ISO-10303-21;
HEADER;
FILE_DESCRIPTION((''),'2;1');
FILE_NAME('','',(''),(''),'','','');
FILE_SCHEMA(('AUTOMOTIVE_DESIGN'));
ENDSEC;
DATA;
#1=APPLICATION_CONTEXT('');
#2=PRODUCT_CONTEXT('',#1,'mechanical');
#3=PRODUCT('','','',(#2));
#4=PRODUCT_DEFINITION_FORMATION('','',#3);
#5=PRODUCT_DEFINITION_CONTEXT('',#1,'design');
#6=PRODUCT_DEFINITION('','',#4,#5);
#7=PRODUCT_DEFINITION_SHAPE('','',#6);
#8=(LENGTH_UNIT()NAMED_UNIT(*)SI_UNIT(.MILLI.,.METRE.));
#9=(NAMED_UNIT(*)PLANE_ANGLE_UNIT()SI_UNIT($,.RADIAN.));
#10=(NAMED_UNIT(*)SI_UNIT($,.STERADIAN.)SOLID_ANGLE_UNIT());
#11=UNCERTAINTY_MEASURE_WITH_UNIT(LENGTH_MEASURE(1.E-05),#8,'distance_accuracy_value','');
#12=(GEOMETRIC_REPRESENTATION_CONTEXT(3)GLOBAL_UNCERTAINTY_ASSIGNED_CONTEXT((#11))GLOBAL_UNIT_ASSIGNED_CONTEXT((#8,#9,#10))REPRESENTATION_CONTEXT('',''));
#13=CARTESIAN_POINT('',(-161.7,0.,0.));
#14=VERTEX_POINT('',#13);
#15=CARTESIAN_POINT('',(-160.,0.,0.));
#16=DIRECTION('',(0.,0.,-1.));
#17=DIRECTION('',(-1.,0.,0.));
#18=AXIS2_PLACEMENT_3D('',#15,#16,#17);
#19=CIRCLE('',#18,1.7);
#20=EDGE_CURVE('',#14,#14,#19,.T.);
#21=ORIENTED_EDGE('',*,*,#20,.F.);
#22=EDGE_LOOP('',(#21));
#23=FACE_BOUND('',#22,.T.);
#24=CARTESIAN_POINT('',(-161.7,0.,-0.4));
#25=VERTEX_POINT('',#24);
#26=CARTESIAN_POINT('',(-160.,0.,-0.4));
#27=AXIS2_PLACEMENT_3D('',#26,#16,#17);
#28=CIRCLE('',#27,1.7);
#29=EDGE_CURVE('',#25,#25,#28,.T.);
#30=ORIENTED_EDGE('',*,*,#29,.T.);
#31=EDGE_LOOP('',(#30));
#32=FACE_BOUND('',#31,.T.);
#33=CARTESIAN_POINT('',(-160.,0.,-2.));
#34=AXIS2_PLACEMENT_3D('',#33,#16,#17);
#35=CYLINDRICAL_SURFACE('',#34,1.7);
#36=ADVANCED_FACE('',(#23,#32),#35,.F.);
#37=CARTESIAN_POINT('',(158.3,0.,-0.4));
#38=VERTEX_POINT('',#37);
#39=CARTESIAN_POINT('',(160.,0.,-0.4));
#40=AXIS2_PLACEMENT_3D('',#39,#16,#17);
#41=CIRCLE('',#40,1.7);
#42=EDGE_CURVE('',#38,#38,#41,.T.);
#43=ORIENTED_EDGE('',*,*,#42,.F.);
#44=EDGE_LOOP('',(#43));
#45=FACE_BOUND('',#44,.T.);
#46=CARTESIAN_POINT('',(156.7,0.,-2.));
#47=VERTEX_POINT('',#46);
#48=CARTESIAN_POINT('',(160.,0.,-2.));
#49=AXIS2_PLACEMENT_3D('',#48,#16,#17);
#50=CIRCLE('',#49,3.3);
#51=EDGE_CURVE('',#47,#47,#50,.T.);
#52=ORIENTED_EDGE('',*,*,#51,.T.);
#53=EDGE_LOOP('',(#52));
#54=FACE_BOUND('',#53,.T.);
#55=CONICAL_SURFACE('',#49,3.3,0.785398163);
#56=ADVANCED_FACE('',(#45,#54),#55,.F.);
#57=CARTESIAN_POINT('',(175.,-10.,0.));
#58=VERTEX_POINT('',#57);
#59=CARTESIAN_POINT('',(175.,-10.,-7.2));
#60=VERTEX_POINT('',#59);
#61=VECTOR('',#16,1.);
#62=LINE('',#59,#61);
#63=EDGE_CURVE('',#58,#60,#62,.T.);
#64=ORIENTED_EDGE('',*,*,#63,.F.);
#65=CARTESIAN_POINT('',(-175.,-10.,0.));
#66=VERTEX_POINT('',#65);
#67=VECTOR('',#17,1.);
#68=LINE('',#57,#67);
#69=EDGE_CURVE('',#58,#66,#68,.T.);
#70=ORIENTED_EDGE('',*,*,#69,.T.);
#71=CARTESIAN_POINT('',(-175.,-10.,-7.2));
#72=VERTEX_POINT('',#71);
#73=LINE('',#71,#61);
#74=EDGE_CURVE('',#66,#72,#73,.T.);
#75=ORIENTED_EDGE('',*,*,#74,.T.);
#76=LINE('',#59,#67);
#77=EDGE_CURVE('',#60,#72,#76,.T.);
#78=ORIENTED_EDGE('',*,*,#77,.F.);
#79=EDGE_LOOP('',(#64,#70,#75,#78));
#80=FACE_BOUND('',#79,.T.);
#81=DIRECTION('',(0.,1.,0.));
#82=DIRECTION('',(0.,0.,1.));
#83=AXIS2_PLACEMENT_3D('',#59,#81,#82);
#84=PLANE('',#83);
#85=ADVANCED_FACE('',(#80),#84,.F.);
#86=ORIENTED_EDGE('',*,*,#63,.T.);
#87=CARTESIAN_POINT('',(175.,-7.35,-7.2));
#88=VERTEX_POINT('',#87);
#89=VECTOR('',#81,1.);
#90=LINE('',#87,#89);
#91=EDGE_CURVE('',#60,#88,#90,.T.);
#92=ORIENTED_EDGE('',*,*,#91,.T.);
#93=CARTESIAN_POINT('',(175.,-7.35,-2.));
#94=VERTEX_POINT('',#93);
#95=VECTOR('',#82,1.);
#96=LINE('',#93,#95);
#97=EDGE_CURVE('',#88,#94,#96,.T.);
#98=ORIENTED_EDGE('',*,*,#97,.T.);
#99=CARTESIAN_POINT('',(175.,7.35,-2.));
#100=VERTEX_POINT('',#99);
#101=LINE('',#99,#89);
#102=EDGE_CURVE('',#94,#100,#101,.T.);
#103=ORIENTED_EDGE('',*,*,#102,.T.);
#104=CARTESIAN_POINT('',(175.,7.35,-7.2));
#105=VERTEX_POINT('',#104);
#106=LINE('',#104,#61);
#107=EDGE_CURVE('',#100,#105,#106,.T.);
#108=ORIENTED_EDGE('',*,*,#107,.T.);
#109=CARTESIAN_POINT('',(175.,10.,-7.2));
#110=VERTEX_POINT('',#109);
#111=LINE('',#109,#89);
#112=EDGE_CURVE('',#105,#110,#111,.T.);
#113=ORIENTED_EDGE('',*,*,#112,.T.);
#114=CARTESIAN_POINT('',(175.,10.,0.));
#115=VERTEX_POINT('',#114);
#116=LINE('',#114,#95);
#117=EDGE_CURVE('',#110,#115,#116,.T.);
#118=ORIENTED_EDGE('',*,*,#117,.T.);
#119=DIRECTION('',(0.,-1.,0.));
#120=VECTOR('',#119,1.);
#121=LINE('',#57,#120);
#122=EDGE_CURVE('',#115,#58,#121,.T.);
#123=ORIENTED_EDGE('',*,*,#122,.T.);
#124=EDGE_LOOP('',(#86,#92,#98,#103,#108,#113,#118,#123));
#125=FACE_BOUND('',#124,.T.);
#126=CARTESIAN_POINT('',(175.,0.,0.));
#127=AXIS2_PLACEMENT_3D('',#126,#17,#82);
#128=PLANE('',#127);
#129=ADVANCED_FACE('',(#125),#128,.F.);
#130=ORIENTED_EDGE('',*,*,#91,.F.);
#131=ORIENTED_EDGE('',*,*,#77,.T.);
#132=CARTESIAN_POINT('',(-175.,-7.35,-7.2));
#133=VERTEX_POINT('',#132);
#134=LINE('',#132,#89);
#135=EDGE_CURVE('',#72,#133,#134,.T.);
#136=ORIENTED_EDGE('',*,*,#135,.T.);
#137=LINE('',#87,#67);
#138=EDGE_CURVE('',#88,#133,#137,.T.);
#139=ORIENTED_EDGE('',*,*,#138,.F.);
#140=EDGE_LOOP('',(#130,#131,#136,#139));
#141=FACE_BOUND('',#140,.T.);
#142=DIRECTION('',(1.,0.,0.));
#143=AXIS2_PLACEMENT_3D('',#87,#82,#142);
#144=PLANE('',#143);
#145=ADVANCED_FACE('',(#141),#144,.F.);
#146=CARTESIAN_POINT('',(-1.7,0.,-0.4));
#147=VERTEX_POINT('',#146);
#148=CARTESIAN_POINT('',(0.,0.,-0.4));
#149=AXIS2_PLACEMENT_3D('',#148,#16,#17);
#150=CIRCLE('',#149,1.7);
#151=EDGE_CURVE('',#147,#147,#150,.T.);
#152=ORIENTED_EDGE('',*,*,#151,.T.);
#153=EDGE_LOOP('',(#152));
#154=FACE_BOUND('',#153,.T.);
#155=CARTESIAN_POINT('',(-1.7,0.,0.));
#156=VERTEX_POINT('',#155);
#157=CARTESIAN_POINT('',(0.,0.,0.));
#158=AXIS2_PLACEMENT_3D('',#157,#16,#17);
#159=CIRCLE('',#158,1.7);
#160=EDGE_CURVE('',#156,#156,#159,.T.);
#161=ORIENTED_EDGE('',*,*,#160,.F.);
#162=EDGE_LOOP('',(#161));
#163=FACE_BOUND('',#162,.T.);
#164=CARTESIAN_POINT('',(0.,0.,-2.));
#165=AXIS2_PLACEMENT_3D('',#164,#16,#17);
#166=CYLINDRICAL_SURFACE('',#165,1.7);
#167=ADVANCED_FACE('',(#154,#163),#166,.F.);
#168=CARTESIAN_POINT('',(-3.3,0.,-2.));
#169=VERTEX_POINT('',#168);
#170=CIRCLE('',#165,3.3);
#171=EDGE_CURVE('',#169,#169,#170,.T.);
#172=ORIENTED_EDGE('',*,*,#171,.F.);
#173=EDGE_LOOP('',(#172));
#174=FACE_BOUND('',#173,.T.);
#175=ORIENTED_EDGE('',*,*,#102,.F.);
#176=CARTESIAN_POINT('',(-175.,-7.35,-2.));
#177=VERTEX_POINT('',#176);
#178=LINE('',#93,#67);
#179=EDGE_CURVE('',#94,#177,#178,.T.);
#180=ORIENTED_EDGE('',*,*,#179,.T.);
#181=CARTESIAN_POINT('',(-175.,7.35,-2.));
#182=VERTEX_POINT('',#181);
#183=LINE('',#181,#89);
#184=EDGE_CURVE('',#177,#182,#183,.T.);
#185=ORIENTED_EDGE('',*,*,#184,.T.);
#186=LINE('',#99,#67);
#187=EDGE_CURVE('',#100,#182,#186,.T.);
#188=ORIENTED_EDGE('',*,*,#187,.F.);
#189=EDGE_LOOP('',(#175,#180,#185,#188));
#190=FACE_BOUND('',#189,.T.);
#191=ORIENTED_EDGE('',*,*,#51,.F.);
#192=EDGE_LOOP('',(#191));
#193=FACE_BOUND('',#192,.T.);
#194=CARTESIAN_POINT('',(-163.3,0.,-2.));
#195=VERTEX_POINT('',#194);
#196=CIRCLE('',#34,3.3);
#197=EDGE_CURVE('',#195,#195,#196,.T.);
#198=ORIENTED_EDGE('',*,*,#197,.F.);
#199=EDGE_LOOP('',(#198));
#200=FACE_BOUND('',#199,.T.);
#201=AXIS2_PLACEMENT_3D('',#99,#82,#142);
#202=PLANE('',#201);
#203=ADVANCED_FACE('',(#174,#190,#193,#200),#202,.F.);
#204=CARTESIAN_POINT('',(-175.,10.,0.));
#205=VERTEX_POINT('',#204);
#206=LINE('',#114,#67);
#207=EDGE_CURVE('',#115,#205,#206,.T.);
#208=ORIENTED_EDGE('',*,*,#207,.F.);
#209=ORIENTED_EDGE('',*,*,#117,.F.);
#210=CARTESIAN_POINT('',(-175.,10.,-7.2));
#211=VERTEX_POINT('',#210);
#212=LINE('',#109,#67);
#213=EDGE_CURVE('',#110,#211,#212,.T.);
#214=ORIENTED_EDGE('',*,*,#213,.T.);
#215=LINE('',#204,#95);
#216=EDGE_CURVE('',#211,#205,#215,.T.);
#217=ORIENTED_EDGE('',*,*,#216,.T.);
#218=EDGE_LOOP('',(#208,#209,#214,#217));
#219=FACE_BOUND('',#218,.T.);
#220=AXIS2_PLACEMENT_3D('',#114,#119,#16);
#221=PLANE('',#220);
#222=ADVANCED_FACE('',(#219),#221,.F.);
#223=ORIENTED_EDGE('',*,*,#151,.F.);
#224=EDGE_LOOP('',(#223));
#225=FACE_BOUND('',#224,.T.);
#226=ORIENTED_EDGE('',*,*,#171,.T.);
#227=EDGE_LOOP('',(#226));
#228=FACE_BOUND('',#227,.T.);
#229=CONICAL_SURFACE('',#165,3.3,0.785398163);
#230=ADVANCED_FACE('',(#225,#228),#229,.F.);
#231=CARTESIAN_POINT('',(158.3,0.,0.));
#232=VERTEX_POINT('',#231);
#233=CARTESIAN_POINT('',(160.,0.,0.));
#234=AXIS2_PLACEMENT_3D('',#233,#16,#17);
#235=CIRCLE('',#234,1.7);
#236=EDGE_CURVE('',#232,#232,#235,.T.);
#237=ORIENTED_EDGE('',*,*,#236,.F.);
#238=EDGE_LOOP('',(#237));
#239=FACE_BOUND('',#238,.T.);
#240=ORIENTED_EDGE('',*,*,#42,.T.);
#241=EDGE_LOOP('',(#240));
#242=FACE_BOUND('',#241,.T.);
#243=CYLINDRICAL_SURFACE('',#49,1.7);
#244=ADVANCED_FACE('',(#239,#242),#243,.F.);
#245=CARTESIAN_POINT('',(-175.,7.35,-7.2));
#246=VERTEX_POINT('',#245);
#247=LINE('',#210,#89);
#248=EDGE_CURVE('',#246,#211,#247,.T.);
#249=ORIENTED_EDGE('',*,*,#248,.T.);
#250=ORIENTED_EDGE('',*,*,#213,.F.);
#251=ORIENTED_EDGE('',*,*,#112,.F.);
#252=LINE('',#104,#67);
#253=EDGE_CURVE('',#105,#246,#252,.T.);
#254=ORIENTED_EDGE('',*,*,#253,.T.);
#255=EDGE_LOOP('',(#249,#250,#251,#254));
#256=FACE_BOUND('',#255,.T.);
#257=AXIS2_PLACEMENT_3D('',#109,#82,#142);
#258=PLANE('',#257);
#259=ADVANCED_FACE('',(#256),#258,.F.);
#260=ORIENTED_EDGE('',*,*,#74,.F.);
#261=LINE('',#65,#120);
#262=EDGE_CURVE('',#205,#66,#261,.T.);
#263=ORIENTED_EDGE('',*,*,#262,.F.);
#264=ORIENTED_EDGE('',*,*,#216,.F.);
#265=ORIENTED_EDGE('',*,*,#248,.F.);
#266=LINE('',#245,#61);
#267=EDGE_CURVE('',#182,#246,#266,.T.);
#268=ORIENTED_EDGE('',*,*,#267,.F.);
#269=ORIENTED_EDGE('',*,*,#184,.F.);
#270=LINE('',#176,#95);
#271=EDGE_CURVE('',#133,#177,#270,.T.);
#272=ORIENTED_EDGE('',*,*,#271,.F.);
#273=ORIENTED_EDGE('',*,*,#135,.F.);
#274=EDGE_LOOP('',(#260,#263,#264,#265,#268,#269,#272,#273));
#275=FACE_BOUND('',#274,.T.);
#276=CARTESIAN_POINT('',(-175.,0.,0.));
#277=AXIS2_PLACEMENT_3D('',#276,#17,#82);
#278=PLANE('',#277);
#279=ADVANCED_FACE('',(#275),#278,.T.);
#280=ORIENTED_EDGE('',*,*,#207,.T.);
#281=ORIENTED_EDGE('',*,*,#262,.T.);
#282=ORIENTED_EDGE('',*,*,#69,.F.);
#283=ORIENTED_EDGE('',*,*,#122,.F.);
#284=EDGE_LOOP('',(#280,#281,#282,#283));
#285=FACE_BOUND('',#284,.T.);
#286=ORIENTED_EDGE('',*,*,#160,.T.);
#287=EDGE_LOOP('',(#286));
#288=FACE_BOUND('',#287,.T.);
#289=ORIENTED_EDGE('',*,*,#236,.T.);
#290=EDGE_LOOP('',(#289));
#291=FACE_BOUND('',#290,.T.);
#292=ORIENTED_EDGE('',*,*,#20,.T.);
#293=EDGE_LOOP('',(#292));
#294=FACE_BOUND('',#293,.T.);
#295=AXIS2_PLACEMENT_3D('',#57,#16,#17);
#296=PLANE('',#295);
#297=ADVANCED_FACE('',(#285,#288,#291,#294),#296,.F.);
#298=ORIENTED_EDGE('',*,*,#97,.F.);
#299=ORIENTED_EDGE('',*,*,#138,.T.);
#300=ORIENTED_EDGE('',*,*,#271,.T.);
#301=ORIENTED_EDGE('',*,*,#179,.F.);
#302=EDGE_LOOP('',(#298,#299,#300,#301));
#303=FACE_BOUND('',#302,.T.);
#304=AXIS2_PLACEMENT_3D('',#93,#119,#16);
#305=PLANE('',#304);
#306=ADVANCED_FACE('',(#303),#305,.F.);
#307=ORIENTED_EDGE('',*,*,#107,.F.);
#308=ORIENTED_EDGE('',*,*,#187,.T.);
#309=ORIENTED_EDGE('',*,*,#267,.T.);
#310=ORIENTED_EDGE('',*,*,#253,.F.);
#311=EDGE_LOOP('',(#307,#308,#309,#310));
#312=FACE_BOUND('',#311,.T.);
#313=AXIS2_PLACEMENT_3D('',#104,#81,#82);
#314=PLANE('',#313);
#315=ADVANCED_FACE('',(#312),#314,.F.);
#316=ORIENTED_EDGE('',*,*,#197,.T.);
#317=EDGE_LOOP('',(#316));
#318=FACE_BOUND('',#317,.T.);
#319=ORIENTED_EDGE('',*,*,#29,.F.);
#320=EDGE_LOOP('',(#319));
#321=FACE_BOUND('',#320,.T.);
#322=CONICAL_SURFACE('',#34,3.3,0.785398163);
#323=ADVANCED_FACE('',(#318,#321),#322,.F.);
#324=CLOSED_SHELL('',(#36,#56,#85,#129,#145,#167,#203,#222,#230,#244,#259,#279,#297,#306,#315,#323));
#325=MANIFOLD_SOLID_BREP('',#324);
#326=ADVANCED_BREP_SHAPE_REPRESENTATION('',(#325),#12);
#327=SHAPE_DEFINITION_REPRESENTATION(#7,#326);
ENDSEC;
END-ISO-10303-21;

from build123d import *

# Parameters (mm, degrees)
EXTRUDE_1_DEPTH        = 175
PATTERN_LINEAR_1_COUNT = 3
PATTERN_LINEAR_1_PITCH = 160


with BuildPart() as part:
    # 草图1 → 凸台-拉伸1 (new, symmetric)
    with BuildSketch(Plane(origin=(0, 0, 0), x_dir=(0, 0, -1), z_dir=(1, 0, 0))):
        Polygon((0, -10), (0, 10), (7.2, 10), (7.2, 7.35), (2, 7.35), (2, -7.35), (7.2, -7.35), (7.2, -10), align=None)
    extrude(amount=EXTRUDE_1_DEPTH, both=True)

    # 草图5 → M3 开槽半沉头木螺钉的锥形沉头孔1 (revolve, cut)
    with BuildSketch(Plane(origin=(160, 0, -2), x_dir=(0, 1, 0), z_dir=(1, 0, 0))):
        Polygon((0, 0), (0, 2), (1.7, 2), (1.7, 1.6), (3.3, 0), align=None)
    hole_wizard_m3_1 = revolve(axis=Axis((160, 0, -8.35), (0, 0, 1)), mode=Mode.SUBTRACT)

    # 阵列(线性)1: M3 开槽半沉头木螺钉的锥形沉头孔1 ×3
    with Locations(*[(-i * PATTERN_LINEAR_1_PITCH, 0, 0) for i in range(1, PATTERN_LINEAR_1_COUNT)]):
        add(hole_wizard_m3_1, mode=Mode.SUBTRACT)


solid = part.part
